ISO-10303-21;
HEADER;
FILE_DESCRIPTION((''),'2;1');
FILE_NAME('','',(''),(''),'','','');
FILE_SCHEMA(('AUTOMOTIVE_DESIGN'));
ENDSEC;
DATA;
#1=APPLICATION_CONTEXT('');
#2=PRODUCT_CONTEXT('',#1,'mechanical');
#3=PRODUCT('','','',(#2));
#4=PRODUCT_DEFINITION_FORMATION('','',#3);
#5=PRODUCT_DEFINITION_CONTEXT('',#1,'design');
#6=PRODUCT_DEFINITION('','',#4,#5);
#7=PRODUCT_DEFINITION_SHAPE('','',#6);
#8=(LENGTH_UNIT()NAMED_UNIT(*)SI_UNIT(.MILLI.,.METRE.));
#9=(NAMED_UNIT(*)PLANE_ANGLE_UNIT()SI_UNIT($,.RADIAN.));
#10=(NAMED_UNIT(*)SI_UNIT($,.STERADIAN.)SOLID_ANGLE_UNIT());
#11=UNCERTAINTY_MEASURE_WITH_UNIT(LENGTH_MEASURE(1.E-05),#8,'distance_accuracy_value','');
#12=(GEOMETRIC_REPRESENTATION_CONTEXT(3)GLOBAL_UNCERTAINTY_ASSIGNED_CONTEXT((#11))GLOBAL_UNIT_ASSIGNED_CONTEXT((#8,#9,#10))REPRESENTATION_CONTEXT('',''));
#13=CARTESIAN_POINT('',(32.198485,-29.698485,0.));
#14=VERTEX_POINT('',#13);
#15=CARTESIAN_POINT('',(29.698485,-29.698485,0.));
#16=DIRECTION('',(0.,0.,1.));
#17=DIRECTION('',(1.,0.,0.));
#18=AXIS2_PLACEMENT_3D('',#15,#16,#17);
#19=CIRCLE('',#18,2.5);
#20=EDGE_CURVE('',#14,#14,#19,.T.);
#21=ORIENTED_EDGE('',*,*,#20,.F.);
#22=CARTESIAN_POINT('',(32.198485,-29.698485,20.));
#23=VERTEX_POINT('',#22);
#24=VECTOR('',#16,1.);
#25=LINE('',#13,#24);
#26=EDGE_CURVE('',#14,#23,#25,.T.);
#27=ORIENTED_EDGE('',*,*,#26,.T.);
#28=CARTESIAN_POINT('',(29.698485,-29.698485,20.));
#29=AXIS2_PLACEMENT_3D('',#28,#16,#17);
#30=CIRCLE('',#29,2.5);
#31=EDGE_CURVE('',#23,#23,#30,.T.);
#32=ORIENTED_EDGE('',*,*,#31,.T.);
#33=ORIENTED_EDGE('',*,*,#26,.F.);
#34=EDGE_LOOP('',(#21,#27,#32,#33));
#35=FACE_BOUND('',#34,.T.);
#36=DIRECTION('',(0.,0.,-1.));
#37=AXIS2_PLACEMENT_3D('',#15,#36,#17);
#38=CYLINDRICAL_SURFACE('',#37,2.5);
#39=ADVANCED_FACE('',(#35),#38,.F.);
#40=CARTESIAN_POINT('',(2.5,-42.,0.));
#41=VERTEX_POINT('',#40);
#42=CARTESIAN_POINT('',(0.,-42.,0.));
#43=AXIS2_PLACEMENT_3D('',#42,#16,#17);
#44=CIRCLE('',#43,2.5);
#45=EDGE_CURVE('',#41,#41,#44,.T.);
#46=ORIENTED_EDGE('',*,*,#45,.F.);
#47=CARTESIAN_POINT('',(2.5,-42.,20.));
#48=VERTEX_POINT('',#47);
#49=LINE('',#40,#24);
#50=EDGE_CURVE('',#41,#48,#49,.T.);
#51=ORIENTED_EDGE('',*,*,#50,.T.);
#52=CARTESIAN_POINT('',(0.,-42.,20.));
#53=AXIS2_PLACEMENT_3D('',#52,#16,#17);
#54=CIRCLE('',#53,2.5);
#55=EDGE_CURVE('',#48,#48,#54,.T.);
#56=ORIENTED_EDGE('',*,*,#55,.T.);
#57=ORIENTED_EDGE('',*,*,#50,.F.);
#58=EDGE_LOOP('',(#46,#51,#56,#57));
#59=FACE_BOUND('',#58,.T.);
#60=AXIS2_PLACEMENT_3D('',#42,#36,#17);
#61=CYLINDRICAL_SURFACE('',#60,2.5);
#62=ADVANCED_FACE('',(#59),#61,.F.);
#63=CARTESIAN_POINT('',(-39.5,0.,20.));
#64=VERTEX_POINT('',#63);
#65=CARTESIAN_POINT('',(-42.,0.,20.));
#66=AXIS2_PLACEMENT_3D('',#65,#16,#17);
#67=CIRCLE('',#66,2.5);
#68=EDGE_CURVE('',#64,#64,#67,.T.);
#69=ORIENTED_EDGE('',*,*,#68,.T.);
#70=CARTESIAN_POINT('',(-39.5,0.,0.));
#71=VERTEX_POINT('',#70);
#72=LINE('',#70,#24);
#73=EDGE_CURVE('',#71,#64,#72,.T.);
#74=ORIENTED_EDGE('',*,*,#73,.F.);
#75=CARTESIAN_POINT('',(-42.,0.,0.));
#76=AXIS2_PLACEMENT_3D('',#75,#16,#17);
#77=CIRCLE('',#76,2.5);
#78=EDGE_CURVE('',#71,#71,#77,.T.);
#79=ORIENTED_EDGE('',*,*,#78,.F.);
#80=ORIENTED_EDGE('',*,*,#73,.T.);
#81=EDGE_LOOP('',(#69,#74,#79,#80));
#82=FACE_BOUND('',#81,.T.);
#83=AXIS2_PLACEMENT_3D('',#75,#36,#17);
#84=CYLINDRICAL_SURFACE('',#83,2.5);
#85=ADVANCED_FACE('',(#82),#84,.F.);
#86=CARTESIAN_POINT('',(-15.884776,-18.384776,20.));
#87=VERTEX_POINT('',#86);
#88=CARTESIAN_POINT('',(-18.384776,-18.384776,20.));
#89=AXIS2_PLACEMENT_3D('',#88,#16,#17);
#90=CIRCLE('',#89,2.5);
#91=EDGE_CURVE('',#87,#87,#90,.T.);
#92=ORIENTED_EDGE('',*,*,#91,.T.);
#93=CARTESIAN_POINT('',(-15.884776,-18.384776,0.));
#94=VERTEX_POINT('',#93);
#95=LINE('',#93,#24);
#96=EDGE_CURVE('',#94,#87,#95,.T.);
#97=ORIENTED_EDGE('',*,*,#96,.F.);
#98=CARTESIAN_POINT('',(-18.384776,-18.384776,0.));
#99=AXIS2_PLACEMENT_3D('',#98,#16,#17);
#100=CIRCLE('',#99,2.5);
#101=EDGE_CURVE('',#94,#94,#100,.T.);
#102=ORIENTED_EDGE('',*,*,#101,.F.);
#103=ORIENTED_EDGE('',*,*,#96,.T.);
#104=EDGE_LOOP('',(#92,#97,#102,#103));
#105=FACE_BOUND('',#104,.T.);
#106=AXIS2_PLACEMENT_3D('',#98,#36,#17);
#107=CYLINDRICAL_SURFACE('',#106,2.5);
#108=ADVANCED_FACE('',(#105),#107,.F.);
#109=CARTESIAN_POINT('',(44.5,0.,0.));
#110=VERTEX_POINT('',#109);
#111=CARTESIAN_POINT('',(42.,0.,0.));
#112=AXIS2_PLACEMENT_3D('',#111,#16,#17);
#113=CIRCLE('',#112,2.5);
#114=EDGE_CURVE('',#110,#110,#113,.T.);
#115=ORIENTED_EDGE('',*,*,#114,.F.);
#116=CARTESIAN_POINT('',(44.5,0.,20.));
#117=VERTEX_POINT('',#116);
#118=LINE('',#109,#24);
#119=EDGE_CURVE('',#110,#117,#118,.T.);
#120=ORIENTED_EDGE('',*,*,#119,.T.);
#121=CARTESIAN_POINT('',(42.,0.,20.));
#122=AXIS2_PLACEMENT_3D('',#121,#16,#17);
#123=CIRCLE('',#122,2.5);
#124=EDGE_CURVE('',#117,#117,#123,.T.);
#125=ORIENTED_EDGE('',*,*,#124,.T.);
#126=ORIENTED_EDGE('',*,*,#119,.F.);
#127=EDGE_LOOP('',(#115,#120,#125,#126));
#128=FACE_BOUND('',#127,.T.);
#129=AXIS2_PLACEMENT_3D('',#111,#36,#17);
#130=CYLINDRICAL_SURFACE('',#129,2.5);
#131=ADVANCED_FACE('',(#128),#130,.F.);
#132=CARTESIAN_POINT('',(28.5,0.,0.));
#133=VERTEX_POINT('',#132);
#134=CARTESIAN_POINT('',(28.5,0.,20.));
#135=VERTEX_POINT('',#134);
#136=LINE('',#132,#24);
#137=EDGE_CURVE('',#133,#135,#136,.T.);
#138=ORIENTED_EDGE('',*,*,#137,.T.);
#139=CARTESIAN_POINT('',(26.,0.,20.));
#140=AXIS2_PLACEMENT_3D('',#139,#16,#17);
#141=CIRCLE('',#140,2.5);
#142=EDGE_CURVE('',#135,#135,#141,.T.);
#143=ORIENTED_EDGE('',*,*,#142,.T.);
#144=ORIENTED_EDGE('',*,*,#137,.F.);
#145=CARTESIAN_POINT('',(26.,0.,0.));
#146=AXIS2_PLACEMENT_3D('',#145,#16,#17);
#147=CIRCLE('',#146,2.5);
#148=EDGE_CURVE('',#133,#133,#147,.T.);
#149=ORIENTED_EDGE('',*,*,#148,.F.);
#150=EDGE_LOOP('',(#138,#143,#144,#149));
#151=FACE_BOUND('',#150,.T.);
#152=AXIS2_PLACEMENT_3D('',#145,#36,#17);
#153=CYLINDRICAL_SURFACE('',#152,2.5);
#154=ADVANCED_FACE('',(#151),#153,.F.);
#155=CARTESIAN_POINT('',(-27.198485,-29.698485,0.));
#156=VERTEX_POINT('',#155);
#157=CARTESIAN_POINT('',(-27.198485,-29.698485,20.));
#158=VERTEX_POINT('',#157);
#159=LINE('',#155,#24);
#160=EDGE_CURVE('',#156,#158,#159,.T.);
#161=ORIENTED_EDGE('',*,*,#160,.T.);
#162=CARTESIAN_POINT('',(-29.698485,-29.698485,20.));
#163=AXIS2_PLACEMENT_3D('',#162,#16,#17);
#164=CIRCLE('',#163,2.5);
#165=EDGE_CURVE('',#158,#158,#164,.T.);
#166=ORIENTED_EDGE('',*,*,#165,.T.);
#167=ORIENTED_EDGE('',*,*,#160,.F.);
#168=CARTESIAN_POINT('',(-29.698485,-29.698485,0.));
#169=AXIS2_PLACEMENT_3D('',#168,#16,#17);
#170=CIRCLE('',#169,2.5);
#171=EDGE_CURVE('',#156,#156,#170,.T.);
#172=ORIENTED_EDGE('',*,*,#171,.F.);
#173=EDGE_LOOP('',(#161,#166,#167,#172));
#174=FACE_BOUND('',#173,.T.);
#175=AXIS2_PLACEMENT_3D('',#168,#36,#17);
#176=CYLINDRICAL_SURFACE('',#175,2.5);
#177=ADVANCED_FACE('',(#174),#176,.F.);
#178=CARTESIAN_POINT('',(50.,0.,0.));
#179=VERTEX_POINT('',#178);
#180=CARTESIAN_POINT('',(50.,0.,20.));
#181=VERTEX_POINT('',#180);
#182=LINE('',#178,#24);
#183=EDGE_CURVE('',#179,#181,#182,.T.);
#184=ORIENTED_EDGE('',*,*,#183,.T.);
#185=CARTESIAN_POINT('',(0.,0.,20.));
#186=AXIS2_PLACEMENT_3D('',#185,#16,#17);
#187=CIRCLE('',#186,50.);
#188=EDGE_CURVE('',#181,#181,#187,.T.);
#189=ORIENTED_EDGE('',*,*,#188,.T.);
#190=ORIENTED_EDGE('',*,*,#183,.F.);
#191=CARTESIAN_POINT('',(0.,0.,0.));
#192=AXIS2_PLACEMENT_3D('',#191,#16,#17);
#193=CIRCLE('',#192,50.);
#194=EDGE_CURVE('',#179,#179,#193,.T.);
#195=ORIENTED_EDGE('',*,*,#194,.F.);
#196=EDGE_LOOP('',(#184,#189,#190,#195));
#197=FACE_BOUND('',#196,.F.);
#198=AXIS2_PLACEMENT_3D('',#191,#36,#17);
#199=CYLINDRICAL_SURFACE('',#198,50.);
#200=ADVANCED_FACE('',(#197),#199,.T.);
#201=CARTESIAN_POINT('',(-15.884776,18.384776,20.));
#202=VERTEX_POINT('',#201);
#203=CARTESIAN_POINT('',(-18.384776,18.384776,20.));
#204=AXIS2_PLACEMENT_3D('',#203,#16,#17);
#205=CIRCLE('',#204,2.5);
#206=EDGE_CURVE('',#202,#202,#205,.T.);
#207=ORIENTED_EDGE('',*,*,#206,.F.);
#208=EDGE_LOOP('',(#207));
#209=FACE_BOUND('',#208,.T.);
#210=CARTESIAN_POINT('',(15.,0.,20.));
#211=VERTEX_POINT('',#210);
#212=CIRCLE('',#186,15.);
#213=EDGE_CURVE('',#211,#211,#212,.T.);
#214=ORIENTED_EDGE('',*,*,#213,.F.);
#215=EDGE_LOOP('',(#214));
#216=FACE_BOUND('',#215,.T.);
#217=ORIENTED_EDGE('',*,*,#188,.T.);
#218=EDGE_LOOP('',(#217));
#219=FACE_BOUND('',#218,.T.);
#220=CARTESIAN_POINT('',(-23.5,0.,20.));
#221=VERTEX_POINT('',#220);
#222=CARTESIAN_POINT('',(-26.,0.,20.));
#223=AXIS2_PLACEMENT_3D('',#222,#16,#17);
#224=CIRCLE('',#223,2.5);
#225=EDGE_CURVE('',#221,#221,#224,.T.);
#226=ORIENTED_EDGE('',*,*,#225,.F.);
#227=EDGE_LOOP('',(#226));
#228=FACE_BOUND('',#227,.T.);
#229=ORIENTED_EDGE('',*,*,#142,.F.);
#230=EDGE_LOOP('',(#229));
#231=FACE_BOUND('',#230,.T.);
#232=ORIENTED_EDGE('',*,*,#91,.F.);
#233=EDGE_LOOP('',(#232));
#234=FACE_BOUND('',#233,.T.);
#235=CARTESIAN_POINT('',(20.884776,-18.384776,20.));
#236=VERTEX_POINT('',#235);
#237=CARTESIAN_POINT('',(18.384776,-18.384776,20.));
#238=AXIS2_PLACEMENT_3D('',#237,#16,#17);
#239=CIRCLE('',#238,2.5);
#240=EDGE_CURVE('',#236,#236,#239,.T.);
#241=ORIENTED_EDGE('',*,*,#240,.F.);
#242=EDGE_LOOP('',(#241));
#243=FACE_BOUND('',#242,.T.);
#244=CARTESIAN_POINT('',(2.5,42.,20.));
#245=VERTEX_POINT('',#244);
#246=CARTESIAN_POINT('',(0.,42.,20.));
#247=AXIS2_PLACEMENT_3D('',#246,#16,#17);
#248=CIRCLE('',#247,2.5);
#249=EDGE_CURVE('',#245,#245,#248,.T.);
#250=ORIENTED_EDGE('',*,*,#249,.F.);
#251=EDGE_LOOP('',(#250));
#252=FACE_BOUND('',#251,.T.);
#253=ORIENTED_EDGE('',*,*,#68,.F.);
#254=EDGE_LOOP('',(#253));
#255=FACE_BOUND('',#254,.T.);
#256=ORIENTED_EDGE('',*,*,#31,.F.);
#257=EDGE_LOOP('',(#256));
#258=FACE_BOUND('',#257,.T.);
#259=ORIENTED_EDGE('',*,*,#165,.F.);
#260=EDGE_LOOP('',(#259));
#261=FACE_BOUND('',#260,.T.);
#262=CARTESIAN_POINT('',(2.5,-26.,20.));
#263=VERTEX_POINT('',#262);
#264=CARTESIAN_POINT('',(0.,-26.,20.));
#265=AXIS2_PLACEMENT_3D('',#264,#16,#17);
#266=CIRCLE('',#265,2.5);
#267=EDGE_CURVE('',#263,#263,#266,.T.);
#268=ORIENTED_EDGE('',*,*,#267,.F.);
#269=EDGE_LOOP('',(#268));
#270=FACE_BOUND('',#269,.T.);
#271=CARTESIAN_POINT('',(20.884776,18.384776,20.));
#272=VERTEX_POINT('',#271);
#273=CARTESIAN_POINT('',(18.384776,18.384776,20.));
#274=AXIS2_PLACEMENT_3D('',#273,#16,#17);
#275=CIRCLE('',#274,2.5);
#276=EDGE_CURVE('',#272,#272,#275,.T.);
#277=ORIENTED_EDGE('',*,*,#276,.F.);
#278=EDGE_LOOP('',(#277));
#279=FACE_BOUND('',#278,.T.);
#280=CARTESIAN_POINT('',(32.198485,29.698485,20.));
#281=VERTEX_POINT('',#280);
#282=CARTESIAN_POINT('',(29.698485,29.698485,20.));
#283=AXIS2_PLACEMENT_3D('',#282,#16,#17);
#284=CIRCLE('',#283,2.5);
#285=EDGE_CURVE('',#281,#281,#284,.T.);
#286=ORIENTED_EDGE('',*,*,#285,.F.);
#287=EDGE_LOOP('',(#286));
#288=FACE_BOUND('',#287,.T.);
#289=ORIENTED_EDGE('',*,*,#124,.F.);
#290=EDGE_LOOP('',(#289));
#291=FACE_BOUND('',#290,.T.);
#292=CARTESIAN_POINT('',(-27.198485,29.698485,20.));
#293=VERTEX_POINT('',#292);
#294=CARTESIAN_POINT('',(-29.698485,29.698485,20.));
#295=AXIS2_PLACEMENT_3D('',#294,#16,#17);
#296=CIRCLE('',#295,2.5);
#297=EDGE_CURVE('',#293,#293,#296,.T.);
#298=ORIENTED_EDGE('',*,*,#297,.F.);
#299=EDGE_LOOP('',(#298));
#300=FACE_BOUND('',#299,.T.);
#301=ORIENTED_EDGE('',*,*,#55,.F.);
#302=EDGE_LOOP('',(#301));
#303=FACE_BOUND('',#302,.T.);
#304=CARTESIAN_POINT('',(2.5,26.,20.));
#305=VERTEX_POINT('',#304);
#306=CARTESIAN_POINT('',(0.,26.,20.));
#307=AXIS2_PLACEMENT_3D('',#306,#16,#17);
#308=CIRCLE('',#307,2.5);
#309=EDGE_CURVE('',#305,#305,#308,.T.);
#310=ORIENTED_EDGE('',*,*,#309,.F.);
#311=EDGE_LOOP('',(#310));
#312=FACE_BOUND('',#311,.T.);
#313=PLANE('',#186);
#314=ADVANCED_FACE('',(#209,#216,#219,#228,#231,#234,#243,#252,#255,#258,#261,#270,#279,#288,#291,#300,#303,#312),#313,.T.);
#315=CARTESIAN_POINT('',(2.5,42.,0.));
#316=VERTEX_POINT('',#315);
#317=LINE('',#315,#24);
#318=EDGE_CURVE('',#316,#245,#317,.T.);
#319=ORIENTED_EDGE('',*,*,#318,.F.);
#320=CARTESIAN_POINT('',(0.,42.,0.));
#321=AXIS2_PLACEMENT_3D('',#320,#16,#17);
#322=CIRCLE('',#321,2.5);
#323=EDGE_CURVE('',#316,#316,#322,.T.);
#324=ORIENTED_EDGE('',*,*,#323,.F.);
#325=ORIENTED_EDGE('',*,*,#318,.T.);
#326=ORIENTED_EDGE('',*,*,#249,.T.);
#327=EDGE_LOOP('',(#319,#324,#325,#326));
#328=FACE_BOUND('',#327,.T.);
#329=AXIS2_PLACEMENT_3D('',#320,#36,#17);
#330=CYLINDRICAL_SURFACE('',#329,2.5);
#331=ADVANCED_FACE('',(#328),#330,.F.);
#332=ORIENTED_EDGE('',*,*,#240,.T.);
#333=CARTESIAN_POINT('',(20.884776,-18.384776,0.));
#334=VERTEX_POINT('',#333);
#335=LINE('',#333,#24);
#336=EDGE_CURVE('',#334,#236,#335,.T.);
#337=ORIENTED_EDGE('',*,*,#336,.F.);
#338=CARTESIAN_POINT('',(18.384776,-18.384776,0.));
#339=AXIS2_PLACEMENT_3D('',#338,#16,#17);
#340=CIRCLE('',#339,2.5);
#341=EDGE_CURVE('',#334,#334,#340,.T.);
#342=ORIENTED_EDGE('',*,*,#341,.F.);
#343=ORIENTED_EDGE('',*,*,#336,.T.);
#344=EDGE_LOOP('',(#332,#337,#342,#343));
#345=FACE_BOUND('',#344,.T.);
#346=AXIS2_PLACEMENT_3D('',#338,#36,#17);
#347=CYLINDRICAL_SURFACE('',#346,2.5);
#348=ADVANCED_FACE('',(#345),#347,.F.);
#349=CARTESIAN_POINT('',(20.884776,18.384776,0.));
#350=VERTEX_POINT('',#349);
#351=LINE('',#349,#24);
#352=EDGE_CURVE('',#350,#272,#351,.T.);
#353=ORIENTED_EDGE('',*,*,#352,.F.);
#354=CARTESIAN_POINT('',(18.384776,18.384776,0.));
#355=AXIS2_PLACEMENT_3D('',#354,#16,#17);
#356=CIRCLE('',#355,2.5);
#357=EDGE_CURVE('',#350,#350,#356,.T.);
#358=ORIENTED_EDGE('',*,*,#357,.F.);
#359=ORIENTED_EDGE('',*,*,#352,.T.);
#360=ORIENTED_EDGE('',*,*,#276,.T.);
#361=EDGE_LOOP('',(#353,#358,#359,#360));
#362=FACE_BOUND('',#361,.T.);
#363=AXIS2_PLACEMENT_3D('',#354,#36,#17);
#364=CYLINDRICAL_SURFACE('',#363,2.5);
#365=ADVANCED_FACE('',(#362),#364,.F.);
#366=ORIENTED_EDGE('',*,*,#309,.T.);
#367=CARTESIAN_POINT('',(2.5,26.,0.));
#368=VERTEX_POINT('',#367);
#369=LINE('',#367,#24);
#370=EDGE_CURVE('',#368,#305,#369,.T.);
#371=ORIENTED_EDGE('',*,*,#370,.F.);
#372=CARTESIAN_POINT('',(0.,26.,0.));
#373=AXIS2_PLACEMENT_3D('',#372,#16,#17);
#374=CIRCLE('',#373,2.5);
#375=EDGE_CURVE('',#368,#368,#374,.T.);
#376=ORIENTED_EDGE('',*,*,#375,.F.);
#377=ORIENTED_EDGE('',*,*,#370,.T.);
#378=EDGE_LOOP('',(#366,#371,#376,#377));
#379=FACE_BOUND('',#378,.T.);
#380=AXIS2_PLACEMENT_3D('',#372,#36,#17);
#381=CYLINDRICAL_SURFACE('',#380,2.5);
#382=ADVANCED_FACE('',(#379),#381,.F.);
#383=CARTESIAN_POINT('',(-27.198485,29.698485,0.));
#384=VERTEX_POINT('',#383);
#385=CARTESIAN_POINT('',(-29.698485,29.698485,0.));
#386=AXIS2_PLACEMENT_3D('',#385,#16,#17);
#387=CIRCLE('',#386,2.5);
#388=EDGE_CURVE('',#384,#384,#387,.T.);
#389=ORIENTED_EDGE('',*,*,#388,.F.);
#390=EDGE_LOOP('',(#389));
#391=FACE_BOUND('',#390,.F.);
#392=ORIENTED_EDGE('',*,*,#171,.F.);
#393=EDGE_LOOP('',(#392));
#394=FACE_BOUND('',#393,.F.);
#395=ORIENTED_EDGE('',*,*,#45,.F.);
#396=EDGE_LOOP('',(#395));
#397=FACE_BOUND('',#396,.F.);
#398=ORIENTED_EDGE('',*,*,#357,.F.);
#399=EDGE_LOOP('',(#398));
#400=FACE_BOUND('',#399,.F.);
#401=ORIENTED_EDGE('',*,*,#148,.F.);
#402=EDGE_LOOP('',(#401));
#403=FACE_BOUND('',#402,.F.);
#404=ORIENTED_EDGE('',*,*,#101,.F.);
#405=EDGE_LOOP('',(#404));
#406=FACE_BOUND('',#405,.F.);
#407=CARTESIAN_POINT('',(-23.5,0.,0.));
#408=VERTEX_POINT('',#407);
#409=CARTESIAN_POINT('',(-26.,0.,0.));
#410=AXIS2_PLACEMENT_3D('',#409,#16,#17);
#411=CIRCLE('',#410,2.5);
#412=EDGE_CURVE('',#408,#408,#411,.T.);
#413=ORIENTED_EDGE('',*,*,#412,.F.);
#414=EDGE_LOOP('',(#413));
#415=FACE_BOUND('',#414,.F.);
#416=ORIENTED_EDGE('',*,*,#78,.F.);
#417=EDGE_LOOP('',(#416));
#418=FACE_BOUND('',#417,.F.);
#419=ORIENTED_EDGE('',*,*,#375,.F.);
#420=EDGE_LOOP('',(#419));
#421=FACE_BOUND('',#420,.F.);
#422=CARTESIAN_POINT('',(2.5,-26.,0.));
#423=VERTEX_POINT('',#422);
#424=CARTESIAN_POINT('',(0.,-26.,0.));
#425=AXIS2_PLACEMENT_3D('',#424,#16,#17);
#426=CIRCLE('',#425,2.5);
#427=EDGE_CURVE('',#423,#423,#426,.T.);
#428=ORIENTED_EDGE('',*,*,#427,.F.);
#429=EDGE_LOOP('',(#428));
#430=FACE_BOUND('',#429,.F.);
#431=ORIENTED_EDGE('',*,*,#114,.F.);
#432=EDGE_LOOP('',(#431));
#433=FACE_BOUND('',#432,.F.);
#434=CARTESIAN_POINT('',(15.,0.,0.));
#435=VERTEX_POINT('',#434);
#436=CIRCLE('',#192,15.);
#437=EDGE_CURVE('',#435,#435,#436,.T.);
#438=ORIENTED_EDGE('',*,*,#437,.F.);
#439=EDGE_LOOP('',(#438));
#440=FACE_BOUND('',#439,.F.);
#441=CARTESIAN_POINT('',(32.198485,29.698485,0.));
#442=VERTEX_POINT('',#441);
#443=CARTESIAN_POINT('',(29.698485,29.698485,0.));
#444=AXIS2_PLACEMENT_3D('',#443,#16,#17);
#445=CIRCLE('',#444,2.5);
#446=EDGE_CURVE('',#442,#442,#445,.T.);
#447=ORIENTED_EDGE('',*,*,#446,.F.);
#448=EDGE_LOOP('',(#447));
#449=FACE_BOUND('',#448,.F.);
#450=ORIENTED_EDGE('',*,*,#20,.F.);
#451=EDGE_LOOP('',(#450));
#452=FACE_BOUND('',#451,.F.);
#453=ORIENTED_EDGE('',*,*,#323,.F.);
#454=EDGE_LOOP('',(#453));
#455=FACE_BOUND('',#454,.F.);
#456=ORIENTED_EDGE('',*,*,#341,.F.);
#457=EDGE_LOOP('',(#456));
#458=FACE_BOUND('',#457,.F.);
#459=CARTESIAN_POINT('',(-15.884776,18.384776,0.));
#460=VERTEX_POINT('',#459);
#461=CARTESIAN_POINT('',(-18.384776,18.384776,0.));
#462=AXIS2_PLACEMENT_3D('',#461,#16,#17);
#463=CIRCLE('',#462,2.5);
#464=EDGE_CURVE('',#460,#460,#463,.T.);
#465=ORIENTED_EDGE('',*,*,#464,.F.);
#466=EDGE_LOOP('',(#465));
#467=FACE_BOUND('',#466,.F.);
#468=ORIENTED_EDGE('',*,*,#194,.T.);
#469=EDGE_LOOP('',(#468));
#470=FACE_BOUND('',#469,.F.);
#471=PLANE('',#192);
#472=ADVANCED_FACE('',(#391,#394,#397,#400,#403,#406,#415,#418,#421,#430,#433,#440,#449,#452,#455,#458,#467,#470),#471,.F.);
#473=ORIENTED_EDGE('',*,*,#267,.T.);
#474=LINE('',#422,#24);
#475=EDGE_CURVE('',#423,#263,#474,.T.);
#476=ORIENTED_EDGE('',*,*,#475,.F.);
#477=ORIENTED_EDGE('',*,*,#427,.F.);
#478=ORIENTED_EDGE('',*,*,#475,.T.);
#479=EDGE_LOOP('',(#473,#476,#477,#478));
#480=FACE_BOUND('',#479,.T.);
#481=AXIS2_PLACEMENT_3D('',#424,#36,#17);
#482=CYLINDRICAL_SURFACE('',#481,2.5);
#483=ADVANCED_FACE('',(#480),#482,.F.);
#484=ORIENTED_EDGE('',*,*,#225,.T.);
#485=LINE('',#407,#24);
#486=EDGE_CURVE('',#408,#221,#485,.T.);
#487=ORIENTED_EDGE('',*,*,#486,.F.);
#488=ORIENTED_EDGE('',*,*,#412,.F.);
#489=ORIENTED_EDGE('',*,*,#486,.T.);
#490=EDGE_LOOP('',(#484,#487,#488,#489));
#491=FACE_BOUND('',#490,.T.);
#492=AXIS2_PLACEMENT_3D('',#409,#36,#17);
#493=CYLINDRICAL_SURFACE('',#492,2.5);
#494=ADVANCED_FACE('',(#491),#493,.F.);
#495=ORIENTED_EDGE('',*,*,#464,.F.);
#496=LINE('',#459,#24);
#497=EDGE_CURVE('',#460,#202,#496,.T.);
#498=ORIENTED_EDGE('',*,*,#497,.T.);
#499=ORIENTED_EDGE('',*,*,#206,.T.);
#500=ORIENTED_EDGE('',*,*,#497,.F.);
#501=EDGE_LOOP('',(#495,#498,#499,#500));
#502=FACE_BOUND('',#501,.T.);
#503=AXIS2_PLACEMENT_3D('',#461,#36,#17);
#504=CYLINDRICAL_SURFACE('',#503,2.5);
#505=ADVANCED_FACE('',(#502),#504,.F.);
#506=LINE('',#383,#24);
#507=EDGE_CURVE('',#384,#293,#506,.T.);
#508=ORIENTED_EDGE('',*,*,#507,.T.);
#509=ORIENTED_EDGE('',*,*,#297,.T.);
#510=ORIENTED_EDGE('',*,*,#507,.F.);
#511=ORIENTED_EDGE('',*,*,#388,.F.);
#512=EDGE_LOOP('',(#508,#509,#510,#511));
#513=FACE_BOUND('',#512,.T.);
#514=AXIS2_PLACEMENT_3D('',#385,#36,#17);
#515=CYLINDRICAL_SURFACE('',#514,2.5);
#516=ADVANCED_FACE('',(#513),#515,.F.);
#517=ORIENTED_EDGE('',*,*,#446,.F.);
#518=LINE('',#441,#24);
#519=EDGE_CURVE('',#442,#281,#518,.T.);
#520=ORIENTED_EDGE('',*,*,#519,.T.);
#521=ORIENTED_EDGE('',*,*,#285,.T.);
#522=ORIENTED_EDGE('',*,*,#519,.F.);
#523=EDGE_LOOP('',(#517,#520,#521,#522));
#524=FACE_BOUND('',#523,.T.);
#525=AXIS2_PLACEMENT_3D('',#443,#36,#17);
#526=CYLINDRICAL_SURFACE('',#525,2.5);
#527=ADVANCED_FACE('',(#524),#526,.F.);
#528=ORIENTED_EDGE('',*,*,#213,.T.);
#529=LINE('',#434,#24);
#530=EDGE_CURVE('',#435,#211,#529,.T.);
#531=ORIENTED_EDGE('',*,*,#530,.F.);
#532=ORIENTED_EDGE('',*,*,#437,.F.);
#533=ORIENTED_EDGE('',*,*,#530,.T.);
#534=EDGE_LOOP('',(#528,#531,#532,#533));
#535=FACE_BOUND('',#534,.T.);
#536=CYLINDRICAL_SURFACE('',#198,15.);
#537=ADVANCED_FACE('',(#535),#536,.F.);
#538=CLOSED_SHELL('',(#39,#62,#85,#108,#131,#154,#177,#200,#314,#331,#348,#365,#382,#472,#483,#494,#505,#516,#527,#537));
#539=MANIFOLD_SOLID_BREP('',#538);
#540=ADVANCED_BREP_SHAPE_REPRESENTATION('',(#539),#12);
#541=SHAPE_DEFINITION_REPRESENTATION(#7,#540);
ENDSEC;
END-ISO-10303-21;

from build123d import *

# Parameters (mm, degrees)
F0_R     = 50
F0_R_2   = 2.5
F0_R_3   = 15
F1_DEPTH = 20


with BuildPart() as f1:
    # F0 (on Top) → F1 (new body)
    with BuildSketch(Plane.XY):
        Circle(F0_R)
        with Locations((-29.698485, -29.698485)):
            Circle(F0_R_2, mode=Mode.SUBTRACT)
        with Locations((-18.384776, -18.384776)):
            Circle(F0_R_2, mode=Mode.SUBTRACT)
        with Locations((0, -42)):
            Circle(F0_R_2, mode=Mode.SUBTRACT)
        with Locations((0, -26)):
            Circle(F0_R_2, mode=Mode.SUBTRACT)
        with Locations((29.698485, -29.698485)):
            Circle(F0_R_2, mode=Mode.SUBTRACT)
        with Locations((18.384776, -18.384776)):
            Circle(F0_R_2, mode=Mode.SUBTRACT)
        with Locations((-42, 0)):
            Circle(F0_R_2, mode=Mode.SUBTRACT)
        with Locations((-26, 0)):
            Circle(F0_R_2, mode=Mode.SUBTRACT)
        with Locations((-18.384776, 18.384776)):
            Circle(F0_R_2, mode=Mode.SUBTRACT)
        with Locations((-29.698485, 29.698485)):
            Circle(F0_R_2, mode=Mode.SUBTRACT)
        Circle(F0_R_3, mode=Mode.SUBTRACT)
        with Locations((18.384776, 18.384776)):
            Circle(F0_R_2, mode=Mode.SUBTRACT)
        with Locations((26, 0)):
            Circle(F0_R_2, mode=Mode.SUBTRACT)
        with Locations((42, 0)):
            Circle(F0_R_2, mode=Mode.SUBTRACT)
        with Locations((0, 26)):
            Circle(F0_R_2, mode=Mode.SUBTRACT)
        with Locations((0, 42)):
            Circle(F0_R_2, mode=Mode.SUBTRACT)
        with Locations((29.698485, 29.698485)):
            Circle(F0_R_2, mode=Mode.SUBTRACT)
    extrude(amount=F1_DEPTH)


solid = f1.part
